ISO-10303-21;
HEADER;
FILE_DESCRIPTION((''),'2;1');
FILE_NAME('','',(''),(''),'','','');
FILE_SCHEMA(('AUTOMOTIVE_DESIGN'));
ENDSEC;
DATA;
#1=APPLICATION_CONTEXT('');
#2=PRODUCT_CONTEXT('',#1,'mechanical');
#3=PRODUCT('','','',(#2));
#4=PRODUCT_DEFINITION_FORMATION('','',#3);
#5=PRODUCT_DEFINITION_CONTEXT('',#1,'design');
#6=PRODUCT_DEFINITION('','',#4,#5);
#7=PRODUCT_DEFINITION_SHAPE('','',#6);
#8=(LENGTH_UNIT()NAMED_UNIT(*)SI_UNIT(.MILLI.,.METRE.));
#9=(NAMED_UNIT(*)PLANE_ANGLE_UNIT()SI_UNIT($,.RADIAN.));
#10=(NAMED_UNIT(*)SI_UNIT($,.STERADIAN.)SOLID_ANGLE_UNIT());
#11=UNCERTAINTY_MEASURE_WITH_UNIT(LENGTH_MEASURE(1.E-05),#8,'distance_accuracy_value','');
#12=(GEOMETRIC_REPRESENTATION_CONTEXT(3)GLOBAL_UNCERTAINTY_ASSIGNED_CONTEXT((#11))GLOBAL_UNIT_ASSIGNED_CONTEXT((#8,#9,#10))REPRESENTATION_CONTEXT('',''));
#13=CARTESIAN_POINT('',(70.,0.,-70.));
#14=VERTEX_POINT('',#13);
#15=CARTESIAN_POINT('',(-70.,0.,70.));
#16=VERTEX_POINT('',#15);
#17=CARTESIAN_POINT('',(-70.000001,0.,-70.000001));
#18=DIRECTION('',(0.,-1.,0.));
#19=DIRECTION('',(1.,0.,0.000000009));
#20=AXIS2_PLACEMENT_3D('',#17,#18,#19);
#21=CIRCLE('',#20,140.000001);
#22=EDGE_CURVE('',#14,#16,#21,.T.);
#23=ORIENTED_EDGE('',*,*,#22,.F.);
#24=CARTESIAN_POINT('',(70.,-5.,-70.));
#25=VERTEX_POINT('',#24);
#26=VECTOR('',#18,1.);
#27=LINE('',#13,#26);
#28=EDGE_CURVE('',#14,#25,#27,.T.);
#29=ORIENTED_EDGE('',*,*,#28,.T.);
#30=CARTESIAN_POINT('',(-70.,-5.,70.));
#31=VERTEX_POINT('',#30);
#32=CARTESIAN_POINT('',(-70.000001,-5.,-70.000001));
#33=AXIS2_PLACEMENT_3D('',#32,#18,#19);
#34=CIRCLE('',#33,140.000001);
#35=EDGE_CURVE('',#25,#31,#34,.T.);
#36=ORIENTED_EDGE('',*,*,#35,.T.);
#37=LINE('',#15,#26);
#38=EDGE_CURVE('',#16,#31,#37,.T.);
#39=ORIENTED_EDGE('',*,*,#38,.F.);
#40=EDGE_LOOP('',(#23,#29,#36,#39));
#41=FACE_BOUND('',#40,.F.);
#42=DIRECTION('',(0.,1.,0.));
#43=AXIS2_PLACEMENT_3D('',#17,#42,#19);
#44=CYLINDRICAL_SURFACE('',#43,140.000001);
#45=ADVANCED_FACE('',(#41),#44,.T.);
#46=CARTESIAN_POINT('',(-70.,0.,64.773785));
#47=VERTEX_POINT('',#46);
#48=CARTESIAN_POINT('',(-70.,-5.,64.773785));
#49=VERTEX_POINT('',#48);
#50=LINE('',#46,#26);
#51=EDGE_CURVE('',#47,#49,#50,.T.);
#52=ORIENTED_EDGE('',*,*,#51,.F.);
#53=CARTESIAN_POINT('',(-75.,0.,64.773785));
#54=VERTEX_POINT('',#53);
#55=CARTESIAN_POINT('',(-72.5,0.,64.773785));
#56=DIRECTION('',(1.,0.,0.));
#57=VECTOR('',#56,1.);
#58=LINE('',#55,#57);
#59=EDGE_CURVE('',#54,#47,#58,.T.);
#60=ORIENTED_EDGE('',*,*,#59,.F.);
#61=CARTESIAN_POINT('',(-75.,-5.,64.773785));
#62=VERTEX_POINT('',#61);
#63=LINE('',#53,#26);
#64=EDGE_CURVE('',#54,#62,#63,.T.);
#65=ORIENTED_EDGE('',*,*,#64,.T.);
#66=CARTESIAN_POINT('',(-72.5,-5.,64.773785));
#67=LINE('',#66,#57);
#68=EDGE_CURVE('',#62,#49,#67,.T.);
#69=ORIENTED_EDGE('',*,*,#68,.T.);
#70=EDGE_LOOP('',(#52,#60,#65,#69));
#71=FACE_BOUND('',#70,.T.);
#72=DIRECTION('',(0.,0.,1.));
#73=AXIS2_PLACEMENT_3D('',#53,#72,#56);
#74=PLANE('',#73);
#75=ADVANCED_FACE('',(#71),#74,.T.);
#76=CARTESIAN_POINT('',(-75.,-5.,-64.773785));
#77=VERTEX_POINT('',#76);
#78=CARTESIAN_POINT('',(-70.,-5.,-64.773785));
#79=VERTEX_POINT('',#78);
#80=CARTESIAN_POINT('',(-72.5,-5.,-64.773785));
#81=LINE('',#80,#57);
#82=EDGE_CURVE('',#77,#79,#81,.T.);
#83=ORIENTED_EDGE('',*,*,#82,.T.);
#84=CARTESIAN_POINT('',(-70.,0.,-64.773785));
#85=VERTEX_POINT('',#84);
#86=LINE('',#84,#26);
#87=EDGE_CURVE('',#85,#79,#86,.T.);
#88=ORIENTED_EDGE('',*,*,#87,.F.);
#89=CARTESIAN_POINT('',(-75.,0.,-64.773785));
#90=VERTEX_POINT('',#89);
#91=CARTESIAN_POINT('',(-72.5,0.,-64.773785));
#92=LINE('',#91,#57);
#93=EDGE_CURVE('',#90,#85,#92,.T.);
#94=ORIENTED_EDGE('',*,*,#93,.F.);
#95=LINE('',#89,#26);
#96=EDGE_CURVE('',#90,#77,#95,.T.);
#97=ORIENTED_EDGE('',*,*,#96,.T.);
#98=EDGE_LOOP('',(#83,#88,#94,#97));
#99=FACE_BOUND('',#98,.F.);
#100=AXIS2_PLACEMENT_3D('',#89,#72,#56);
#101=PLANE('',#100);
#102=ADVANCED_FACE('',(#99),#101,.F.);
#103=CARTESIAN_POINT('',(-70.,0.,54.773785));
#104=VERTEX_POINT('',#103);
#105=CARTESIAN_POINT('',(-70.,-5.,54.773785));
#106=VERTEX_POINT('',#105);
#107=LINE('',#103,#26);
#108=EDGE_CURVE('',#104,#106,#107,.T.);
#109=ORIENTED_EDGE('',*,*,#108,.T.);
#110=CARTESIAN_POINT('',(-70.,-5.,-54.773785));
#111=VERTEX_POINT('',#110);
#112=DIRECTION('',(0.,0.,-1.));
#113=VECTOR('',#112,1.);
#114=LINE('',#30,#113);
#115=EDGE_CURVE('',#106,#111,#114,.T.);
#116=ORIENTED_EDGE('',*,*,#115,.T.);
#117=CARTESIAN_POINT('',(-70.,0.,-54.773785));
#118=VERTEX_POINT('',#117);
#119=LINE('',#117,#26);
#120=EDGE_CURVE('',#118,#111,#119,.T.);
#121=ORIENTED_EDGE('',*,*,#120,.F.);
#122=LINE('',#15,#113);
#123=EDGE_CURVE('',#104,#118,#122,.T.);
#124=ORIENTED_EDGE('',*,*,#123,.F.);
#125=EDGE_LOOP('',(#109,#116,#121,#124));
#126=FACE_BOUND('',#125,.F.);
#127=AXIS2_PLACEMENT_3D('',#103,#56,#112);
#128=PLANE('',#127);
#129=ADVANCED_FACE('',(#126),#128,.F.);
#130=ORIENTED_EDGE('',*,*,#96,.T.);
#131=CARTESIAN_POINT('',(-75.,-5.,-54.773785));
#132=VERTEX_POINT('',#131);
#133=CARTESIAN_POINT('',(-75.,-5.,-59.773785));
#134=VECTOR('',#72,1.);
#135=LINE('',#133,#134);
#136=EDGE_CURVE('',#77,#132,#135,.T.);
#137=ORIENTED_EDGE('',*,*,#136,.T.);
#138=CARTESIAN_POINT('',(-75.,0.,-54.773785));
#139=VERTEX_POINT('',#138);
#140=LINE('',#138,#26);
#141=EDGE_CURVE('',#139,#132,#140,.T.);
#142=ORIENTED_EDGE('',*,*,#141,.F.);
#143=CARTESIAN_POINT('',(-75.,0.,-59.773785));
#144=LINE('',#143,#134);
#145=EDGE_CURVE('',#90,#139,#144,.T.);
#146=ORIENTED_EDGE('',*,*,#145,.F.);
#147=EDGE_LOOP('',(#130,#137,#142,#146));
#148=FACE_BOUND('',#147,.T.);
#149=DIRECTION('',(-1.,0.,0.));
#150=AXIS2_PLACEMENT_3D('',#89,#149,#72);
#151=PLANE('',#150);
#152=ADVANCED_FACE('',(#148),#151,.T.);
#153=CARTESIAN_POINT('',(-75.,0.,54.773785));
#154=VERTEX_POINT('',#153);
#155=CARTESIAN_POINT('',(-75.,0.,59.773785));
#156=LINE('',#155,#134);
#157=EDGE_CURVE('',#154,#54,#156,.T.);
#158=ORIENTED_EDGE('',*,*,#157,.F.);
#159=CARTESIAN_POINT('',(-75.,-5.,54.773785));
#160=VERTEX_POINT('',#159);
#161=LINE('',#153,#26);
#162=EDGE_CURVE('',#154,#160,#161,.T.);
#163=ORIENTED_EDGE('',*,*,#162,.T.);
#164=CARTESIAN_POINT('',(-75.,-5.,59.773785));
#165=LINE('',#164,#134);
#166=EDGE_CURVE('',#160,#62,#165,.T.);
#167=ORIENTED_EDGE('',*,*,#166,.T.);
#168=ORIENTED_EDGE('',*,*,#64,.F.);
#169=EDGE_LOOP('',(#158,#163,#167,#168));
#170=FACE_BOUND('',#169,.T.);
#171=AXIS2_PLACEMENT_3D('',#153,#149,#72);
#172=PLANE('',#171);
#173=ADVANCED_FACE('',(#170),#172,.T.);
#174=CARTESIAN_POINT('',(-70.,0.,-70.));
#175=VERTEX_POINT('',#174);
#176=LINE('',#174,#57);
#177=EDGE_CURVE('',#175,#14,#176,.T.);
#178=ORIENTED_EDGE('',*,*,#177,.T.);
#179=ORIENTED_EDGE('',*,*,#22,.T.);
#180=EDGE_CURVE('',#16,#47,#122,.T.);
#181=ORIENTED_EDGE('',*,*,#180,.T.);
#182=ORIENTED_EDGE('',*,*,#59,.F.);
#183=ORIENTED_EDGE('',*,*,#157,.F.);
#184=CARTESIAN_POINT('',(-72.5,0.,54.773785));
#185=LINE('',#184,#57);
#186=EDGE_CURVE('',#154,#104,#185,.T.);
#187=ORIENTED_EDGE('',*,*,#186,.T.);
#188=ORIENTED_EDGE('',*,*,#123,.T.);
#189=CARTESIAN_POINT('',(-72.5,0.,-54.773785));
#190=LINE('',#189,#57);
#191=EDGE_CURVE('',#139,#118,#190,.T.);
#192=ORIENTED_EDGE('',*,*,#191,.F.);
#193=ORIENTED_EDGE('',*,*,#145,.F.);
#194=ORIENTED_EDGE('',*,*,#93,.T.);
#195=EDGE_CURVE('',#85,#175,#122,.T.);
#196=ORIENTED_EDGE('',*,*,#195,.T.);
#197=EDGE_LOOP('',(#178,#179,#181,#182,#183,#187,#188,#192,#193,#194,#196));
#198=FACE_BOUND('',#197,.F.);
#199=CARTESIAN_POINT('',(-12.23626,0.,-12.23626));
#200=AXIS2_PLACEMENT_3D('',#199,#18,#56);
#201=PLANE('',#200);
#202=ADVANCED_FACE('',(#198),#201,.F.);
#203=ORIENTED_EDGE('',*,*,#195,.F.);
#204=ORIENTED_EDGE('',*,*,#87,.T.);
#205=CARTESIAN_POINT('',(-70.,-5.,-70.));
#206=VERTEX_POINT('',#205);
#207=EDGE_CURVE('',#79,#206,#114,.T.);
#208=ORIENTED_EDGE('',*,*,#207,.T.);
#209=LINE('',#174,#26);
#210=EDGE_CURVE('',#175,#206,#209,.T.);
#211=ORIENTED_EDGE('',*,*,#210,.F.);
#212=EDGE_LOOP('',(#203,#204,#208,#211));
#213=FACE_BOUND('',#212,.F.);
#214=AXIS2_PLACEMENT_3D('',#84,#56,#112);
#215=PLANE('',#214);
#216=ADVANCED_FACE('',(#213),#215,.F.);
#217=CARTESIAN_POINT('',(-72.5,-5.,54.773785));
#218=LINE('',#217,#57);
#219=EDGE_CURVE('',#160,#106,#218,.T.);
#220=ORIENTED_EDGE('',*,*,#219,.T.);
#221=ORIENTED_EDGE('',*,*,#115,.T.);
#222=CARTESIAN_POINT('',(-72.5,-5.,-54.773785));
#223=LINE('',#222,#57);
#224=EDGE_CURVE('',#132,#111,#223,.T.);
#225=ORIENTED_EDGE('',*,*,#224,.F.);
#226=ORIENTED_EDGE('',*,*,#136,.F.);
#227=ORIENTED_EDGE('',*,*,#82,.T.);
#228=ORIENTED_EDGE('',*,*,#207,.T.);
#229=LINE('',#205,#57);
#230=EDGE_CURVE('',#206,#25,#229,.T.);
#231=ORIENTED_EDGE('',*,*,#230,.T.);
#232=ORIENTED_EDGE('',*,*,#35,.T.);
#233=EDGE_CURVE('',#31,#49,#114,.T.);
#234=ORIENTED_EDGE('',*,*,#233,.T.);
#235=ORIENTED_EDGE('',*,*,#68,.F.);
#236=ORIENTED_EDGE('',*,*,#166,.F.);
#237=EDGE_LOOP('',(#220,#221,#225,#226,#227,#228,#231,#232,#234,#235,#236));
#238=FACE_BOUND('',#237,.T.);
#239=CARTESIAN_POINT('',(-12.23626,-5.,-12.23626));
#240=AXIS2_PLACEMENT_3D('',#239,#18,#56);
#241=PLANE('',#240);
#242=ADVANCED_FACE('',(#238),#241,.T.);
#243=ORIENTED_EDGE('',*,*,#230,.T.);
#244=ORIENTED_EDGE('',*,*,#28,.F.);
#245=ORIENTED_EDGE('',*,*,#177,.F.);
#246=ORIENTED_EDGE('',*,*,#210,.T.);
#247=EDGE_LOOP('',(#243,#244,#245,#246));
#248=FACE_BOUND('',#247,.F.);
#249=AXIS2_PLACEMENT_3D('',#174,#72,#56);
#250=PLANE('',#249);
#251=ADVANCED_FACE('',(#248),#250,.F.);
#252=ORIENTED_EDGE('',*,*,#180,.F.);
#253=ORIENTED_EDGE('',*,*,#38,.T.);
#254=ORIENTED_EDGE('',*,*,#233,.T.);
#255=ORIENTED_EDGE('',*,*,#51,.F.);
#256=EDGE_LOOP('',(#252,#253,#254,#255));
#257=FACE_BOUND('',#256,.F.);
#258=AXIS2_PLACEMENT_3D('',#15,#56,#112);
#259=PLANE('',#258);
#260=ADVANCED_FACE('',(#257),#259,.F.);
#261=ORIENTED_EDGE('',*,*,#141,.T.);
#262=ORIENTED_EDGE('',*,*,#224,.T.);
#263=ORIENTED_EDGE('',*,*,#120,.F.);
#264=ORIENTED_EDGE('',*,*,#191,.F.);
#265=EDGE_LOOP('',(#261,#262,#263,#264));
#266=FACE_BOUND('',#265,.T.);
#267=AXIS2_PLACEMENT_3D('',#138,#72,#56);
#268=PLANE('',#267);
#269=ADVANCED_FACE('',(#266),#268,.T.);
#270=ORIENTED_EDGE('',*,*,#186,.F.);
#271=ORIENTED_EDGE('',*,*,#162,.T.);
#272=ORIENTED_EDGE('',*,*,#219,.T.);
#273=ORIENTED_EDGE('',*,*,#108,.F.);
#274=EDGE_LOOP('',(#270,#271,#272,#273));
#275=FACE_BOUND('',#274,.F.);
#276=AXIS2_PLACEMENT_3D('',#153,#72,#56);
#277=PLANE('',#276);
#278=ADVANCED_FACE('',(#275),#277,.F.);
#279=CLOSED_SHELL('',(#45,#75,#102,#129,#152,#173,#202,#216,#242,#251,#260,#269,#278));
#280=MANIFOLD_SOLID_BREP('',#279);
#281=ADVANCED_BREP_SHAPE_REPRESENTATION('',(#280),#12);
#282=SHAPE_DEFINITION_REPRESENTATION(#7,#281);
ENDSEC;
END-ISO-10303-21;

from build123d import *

# Parameters (mm, degrees)
F0_W     = 5
F0_H     = 10
F1_DEPTH = 5


with BuildPart() as f1:
    # F0 (on Front) → F1 (new body)
    with BuildSketch(Plane.XZ):
        with BuildLine():
            Line((-70, -64.773785), (-70, -70))
            Line((-70, -70), (70, -70))
            ThreePointArc((70, -70), (28.994949, 28.994949), (-70, 70))
            Line((-70, 70), (-70, 64.773785))
            Line((-70, 64.773785), (-70, 54.773785))
            Line((-70, 54.773785), (-70, -54.773785))
            Line((-70, -54.773785), (-70, -64.773785))
        make_face()
        with Locations((-72.5, -59.773785)):
            Rectangle(F0_W, F0_H)
        with Locations((-72.5, 59.773785)):
            Rectangle(F0_W, F0_H)
    extrude(amount=F1_DEPTH)


solid = f1.part
